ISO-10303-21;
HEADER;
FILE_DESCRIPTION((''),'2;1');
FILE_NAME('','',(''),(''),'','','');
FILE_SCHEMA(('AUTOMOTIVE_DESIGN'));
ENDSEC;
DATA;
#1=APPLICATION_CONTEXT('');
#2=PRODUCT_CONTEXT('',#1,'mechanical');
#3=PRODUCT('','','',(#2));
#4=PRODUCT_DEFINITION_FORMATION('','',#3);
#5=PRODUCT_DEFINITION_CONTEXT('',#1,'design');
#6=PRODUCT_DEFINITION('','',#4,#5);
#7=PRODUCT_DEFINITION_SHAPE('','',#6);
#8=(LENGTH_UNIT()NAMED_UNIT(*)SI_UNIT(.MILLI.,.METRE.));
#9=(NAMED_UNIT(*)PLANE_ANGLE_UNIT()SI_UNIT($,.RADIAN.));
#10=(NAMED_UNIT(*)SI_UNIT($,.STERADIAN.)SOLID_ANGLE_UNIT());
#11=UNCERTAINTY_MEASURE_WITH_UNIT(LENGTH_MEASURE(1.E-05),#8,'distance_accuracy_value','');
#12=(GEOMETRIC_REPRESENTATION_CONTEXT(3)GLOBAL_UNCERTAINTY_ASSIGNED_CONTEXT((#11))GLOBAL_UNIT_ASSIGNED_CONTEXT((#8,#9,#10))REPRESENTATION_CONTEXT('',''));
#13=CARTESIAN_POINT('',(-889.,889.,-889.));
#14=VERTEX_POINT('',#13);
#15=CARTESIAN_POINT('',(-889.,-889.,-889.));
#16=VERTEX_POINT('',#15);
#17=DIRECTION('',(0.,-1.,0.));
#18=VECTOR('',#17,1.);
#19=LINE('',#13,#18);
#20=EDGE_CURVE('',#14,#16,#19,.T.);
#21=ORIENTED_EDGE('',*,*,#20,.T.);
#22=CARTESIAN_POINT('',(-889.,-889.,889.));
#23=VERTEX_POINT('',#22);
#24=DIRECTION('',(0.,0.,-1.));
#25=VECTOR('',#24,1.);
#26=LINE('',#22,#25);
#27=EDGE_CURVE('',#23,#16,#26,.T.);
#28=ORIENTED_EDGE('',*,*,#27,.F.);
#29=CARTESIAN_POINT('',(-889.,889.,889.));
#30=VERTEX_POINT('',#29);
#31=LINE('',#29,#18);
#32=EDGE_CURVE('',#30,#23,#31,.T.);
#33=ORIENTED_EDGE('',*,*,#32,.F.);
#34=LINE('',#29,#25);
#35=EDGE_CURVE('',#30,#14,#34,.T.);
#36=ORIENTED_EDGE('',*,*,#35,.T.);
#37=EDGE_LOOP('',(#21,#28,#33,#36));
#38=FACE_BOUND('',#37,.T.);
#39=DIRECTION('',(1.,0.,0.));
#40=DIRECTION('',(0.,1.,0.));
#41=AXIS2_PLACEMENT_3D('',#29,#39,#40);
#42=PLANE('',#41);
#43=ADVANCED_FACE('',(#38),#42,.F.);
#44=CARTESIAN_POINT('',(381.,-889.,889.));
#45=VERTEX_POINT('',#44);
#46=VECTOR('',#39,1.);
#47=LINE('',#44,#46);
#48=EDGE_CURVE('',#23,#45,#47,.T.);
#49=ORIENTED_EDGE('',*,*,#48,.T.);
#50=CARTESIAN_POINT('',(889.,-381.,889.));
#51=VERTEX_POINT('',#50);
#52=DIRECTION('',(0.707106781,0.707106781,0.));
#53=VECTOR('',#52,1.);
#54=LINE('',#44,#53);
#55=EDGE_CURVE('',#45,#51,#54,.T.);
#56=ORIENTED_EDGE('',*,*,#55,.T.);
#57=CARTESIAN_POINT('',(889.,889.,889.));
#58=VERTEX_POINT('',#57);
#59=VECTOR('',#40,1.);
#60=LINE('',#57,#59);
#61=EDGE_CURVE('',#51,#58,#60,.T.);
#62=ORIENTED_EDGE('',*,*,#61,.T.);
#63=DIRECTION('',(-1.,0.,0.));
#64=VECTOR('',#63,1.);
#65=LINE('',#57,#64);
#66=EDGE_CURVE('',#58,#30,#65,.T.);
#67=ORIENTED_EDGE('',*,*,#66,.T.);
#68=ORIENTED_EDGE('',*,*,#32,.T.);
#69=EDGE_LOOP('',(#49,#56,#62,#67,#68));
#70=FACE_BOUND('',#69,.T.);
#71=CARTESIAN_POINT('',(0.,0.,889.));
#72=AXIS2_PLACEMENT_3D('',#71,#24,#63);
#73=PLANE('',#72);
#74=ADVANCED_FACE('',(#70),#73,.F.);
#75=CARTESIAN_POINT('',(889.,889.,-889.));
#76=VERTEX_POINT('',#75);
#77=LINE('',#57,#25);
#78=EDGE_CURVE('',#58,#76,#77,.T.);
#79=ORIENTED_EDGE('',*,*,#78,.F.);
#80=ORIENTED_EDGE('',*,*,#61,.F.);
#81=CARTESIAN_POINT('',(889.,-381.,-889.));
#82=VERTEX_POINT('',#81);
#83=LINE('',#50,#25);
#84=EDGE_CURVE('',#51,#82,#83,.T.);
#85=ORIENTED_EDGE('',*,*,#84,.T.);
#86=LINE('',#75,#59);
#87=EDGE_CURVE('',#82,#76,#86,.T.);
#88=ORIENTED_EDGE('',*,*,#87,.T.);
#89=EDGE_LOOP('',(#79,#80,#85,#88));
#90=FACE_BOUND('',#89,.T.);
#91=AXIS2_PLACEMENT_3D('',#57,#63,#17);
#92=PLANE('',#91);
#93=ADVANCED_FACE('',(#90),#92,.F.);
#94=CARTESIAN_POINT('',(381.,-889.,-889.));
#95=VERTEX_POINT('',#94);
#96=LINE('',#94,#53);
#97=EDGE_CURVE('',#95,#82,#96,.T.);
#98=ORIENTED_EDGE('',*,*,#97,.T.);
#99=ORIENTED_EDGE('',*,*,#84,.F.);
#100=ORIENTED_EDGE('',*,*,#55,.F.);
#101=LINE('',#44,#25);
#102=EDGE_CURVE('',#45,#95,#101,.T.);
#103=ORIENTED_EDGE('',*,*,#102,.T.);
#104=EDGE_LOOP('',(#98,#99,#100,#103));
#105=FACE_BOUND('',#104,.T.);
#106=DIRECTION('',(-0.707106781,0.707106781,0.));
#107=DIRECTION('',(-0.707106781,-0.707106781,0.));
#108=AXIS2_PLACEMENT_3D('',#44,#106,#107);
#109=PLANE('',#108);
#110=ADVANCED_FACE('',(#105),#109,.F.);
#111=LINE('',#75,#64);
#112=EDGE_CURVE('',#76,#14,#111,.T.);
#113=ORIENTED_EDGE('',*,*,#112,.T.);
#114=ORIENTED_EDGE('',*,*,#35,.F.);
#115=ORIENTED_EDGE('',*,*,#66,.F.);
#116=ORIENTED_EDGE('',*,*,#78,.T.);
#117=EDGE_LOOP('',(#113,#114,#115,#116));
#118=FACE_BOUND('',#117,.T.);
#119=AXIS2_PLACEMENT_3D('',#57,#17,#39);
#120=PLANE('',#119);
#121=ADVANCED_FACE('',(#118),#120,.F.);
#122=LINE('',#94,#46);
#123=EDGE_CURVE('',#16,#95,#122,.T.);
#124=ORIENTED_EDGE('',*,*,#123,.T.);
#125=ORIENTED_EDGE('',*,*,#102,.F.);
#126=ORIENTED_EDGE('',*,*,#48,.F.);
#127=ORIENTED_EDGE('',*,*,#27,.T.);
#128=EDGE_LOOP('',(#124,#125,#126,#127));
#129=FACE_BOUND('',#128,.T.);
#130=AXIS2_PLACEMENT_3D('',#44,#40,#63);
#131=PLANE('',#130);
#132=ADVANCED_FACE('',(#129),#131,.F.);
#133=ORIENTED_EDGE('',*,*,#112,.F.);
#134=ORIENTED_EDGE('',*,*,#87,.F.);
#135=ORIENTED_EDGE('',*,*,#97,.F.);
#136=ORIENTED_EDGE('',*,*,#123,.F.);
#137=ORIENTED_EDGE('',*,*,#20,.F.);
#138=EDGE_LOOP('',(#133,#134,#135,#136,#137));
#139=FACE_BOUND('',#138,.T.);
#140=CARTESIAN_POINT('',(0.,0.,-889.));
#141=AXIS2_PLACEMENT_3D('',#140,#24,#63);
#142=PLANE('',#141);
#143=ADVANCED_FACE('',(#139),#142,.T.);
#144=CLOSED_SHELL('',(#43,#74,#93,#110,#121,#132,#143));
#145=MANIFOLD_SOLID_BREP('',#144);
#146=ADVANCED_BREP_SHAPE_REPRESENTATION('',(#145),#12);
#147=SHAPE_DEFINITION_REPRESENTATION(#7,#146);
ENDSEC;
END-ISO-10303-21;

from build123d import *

# Parameters (mm, degrees)
BOSS_EXTRUDE1_DEPTH = 889


with BuildPart() as part:
    # Sketch1 → Boss-Extrude1 (new body, symmetric)
    with BuildSketch(Plane.XY):
        Polygon((381, -889), (889, -381), (889, 889), (-889, 889), (-889, -889), align=None)
    extrude(amount=BOSS_EXTRUDE1_DEPTH, both=True)


solid = part.part
